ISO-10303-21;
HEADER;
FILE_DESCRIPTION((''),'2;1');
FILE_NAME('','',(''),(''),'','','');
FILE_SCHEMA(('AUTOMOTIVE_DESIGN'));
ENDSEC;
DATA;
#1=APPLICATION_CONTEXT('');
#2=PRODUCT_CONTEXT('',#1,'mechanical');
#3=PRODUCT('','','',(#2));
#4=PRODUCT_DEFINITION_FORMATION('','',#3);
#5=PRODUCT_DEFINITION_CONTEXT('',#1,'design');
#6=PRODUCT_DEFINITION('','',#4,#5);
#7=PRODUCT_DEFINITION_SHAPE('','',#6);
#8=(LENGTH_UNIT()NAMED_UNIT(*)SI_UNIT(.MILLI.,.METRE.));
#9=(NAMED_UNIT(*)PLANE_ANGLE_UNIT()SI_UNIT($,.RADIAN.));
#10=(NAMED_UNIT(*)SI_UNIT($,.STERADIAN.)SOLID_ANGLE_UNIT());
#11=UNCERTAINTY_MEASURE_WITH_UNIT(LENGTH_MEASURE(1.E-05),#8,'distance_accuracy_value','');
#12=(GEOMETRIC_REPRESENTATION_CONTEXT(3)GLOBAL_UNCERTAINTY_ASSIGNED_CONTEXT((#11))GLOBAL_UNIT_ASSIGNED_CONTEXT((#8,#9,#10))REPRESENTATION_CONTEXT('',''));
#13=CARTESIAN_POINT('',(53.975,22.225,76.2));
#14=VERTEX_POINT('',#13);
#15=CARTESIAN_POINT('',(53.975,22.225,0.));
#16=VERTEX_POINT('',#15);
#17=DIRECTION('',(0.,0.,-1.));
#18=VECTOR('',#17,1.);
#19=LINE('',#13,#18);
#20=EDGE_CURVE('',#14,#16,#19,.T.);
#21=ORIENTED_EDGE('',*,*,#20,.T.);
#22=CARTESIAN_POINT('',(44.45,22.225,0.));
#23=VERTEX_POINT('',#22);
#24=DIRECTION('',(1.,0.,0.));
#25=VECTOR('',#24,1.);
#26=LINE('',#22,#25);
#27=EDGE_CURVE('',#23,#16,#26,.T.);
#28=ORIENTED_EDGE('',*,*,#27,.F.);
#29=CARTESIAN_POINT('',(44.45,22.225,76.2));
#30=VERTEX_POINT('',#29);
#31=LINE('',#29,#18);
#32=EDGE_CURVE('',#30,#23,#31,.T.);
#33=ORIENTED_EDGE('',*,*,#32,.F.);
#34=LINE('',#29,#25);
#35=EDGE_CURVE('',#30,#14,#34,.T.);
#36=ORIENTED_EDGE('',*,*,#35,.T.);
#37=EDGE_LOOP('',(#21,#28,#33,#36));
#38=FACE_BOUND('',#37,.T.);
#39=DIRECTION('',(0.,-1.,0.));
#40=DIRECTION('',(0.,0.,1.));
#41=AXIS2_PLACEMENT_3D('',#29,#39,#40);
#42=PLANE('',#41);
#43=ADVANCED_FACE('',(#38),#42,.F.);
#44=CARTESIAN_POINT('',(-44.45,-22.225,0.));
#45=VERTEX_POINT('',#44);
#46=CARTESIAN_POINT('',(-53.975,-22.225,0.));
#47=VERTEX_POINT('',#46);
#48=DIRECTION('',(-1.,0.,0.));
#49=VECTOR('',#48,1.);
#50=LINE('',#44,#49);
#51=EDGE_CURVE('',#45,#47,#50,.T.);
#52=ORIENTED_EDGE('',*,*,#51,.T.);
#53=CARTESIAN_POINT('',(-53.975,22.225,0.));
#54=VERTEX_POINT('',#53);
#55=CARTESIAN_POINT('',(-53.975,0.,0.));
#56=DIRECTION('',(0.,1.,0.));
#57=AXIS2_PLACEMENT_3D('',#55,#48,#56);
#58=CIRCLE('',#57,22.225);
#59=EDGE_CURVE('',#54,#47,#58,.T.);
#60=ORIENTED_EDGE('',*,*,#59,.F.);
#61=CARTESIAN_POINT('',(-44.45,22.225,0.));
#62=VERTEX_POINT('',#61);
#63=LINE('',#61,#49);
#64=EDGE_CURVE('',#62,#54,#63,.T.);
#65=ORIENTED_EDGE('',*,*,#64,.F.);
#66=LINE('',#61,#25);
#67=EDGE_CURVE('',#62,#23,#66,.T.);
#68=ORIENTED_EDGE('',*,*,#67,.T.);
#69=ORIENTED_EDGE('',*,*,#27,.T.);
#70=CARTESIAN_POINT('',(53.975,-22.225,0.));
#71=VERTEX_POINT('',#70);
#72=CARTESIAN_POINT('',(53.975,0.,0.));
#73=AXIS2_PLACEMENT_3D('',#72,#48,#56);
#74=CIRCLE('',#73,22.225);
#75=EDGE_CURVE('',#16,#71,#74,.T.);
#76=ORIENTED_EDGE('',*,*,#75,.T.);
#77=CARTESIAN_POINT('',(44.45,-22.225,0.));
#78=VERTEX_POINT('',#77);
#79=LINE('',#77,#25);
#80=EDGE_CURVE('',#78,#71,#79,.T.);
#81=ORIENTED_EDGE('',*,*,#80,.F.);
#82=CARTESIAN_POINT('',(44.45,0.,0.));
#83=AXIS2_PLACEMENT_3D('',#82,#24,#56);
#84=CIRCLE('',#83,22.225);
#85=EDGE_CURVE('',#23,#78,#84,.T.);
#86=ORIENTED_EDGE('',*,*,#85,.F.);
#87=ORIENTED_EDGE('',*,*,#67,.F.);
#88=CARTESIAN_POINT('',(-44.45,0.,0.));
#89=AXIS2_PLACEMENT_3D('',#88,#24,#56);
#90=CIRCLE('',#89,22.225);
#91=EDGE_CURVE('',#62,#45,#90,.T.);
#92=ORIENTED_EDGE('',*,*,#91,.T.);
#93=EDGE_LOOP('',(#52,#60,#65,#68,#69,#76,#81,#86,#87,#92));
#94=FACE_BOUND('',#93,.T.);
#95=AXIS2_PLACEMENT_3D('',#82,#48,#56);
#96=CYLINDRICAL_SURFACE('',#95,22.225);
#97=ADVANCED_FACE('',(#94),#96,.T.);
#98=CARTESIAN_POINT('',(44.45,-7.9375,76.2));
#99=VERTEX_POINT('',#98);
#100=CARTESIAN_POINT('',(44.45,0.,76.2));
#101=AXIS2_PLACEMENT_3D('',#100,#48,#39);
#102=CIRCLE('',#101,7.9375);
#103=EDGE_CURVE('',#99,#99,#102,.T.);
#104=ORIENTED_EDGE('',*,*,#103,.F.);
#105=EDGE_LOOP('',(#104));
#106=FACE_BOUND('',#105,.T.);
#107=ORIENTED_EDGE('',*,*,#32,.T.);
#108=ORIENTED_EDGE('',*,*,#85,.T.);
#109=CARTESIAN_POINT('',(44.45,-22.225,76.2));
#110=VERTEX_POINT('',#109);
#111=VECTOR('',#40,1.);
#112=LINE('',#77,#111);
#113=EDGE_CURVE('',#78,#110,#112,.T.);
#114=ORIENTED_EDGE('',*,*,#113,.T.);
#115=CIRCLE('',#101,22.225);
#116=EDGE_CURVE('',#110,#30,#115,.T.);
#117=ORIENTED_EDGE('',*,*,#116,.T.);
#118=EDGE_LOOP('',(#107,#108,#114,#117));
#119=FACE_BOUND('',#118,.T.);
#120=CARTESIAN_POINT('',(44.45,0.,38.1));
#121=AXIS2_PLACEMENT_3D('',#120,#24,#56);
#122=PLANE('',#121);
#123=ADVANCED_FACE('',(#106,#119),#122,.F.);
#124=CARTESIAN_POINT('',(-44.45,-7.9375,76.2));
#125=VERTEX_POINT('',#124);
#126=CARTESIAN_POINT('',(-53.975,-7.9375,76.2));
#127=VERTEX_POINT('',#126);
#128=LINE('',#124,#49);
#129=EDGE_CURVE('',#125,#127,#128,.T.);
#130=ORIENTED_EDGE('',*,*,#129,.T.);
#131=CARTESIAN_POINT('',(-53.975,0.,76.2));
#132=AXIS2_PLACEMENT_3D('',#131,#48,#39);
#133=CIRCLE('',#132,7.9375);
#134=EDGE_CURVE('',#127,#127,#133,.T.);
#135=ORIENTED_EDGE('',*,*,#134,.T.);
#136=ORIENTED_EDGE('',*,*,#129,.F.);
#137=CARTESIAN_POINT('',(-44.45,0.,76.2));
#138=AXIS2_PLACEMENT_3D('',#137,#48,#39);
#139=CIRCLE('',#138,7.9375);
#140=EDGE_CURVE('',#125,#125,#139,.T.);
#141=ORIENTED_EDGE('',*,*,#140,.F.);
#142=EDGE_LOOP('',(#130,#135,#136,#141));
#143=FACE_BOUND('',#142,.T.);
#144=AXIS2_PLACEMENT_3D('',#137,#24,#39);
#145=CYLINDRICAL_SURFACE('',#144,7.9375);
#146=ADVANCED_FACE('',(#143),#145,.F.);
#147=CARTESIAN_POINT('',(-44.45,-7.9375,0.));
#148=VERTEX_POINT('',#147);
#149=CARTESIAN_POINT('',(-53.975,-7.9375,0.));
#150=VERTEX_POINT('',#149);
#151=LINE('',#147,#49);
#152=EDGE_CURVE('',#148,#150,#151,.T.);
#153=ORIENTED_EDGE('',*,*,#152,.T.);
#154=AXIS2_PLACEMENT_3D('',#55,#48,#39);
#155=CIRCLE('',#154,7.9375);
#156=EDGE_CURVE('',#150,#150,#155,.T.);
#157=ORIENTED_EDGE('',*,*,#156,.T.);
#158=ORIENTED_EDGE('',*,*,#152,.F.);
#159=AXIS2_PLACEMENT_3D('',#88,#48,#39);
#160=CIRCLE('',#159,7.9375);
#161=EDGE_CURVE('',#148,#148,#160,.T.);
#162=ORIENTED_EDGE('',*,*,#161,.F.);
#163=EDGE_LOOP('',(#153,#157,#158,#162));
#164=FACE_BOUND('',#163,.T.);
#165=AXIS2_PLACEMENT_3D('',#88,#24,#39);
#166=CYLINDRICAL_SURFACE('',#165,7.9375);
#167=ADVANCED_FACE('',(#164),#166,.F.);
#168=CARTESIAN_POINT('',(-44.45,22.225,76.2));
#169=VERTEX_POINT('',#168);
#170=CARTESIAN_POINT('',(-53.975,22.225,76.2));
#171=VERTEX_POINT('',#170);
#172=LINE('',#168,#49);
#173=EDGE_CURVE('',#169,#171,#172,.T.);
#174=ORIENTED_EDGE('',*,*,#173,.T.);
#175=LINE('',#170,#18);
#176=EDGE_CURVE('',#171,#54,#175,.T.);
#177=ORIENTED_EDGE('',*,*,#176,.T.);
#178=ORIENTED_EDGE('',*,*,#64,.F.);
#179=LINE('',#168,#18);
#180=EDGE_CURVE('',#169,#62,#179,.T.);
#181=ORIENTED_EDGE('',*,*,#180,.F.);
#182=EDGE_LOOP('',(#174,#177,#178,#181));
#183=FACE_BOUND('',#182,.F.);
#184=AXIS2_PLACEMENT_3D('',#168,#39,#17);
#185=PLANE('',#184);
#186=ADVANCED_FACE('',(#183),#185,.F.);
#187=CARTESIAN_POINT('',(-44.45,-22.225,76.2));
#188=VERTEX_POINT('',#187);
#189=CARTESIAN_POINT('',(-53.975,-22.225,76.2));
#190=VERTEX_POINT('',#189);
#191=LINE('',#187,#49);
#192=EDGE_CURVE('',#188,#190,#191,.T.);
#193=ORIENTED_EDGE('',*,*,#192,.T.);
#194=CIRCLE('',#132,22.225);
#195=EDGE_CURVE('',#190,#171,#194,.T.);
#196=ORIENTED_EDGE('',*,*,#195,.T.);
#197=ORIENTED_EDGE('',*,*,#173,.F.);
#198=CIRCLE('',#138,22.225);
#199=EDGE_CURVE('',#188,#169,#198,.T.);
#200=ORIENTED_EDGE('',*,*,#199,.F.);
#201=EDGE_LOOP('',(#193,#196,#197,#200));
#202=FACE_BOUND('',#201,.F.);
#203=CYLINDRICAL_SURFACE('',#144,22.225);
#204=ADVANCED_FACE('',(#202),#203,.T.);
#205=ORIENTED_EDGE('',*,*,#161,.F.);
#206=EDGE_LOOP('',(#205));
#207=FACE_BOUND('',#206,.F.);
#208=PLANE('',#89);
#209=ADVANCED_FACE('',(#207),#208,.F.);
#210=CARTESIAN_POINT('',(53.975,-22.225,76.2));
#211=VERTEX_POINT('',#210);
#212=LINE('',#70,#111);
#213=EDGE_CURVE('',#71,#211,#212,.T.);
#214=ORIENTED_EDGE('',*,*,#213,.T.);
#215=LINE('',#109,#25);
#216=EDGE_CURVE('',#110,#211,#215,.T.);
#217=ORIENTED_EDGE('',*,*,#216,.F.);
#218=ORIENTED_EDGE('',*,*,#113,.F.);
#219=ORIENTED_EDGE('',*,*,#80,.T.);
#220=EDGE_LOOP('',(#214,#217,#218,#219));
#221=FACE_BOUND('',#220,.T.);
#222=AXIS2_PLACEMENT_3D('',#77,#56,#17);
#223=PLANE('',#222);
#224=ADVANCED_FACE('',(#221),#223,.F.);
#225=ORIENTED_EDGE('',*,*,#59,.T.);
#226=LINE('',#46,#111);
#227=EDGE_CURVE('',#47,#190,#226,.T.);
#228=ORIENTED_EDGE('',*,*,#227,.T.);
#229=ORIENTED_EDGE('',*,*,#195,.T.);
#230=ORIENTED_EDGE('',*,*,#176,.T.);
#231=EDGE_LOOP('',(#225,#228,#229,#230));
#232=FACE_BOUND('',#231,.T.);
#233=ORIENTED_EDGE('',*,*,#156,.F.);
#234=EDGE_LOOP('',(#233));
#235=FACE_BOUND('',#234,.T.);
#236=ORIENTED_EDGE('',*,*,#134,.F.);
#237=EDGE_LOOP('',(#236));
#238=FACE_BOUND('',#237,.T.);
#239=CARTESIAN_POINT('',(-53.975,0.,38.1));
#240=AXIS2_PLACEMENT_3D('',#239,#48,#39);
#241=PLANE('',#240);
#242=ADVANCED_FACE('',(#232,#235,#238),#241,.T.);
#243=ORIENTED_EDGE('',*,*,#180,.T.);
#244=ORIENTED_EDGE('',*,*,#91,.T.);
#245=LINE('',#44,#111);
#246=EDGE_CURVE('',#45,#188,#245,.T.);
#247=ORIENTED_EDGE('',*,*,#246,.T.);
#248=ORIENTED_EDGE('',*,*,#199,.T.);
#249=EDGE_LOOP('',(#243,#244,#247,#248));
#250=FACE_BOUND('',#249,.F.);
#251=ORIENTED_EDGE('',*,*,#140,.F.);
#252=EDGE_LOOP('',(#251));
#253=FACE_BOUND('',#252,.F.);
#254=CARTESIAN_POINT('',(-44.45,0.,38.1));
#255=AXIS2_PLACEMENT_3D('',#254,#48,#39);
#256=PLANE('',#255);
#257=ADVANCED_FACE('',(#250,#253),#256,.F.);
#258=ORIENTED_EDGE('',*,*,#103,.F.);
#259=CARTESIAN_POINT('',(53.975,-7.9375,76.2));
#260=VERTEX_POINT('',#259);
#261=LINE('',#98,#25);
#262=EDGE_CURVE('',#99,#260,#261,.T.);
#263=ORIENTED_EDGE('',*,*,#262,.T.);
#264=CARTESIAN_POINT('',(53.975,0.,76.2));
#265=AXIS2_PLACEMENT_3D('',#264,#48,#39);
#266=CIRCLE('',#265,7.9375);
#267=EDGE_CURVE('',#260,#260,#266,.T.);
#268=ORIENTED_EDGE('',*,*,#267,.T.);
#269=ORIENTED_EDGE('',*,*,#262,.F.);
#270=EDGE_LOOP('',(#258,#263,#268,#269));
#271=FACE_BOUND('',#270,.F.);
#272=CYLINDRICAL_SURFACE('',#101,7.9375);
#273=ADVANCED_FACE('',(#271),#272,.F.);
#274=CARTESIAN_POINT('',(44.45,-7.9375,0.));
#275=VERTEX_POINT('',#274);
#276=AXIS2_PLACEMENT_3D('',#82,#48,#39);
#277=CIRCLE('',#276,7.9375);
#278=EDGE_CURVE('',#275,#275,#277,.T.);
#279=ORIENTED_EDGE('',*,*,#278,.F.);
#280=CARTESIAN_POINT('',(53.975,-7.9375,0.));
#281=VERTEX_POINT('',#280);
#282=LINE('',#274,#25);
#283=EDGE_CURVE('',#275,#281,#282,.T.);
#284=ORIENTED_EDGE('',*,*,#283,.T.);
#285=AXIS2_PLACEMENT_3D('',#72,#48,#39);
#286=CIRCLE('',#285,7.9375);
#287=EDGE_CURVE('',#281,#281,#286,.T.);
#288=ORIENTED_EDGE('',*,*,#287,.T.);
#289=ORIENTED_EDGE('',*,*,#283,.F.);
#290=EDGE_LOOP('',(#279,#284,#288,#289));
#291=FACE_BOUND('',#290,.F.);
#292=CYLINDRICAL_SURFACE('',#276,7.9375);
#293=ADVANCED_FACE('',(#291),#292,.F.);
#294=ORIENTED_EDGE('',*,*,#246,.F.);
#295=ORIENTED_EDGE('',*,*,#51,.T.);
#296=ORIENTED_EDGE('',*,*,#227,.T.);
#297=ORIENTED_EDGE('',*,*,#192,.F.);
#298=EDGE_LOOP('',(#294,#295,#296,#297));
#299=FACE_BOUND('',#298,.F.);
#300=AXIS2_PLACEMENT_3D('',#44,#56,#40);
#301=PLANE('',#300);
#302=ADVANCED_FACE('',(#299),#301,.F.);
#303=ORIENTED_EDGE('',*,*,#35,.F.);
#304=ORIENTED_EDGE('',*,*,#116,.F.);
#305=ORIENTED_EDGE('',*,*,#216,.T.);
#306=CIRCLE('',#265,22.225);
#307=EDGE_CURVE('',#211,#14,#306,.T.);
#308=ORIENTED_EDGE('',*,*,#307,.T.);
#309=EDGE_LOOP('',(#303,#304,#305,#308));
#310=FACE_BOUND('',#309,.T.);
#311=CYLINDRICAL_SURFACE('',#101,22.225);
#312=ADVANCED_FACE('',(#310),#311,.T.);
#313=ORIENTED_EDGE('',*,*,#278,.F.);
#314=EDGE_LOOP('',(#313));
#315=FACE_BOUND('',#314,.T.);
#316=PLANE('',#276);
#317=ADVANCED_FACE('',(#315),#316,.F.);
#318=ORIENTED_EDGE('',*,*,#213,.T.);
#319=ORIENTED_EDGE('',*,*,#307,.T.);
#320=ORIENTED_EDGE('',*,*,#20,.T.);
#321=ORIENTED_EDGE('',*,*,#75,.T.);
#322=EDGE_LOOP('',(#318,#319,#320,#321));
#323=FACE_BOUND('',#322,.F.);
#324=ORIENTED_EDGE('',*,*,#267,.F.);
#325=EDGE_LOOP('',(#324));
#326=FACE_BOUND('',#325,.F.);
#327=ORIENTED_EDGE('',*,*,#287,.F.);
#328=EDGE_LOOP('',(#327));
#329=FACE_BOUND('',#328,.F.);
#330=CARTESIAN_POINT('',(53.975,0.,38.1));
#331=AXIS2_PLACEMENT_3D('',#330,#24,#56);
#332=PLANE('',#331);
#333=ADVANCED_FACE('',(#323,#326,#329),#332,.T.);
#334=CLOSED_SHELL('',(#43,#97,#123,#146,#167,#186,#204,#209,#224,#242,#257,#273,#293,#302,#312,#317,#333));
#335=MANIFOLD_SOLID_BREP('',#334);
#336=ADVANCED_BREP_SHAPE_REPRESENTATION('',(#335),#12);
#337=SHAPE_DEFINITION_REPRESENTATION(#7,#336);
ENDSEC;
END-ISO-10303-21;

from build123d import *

# Parameters (mm, degrees)
F0_R     = 22.225
F1_DEPTH = 44.45
F2_R     = 7.9375
F3_DEPTH = 9.525


with BuildPart() as f1:
    # F0 (on Right) → F1 (new body, symmetric)
    with BuildSketch(Plane.YZ):
        Circle(F0_R)
    extrude(amount=F1_DEPTH, both=True)

    # F2 (on face) → F3 (join)
    with BuildSketch(Plane(origin=(-44.45, 0, 0), x_dir=(0, -1, 0), z_dir=(-1, 0, 0))):
        with BuildLine():
            Line((-22.225, 76.2), (-22.225, 0))
            ThreePointArc((-22.225, 0), (0, -22.225), (22.225, 0))
            Line((22.225, 0), (22.225, 76.2))
            ThreePointArc((22.225, 76.2), (0, 98.425), (-22.225, 76.2))
        make_face()
        Circle(F2_R, mode=Mode.SUBTRACT)
        with Locations((0, 76.2)):
            Circle(F2_R, mode=Mode.SUBTRACT)
    extrude(amount=F3_DEPTH)

    # F4: F1 across plane


with BuildPart() as f1_1:
    add(f1.part)
    add(f1.part.mirror(Plane.YZ))


solid = f1_1.part
